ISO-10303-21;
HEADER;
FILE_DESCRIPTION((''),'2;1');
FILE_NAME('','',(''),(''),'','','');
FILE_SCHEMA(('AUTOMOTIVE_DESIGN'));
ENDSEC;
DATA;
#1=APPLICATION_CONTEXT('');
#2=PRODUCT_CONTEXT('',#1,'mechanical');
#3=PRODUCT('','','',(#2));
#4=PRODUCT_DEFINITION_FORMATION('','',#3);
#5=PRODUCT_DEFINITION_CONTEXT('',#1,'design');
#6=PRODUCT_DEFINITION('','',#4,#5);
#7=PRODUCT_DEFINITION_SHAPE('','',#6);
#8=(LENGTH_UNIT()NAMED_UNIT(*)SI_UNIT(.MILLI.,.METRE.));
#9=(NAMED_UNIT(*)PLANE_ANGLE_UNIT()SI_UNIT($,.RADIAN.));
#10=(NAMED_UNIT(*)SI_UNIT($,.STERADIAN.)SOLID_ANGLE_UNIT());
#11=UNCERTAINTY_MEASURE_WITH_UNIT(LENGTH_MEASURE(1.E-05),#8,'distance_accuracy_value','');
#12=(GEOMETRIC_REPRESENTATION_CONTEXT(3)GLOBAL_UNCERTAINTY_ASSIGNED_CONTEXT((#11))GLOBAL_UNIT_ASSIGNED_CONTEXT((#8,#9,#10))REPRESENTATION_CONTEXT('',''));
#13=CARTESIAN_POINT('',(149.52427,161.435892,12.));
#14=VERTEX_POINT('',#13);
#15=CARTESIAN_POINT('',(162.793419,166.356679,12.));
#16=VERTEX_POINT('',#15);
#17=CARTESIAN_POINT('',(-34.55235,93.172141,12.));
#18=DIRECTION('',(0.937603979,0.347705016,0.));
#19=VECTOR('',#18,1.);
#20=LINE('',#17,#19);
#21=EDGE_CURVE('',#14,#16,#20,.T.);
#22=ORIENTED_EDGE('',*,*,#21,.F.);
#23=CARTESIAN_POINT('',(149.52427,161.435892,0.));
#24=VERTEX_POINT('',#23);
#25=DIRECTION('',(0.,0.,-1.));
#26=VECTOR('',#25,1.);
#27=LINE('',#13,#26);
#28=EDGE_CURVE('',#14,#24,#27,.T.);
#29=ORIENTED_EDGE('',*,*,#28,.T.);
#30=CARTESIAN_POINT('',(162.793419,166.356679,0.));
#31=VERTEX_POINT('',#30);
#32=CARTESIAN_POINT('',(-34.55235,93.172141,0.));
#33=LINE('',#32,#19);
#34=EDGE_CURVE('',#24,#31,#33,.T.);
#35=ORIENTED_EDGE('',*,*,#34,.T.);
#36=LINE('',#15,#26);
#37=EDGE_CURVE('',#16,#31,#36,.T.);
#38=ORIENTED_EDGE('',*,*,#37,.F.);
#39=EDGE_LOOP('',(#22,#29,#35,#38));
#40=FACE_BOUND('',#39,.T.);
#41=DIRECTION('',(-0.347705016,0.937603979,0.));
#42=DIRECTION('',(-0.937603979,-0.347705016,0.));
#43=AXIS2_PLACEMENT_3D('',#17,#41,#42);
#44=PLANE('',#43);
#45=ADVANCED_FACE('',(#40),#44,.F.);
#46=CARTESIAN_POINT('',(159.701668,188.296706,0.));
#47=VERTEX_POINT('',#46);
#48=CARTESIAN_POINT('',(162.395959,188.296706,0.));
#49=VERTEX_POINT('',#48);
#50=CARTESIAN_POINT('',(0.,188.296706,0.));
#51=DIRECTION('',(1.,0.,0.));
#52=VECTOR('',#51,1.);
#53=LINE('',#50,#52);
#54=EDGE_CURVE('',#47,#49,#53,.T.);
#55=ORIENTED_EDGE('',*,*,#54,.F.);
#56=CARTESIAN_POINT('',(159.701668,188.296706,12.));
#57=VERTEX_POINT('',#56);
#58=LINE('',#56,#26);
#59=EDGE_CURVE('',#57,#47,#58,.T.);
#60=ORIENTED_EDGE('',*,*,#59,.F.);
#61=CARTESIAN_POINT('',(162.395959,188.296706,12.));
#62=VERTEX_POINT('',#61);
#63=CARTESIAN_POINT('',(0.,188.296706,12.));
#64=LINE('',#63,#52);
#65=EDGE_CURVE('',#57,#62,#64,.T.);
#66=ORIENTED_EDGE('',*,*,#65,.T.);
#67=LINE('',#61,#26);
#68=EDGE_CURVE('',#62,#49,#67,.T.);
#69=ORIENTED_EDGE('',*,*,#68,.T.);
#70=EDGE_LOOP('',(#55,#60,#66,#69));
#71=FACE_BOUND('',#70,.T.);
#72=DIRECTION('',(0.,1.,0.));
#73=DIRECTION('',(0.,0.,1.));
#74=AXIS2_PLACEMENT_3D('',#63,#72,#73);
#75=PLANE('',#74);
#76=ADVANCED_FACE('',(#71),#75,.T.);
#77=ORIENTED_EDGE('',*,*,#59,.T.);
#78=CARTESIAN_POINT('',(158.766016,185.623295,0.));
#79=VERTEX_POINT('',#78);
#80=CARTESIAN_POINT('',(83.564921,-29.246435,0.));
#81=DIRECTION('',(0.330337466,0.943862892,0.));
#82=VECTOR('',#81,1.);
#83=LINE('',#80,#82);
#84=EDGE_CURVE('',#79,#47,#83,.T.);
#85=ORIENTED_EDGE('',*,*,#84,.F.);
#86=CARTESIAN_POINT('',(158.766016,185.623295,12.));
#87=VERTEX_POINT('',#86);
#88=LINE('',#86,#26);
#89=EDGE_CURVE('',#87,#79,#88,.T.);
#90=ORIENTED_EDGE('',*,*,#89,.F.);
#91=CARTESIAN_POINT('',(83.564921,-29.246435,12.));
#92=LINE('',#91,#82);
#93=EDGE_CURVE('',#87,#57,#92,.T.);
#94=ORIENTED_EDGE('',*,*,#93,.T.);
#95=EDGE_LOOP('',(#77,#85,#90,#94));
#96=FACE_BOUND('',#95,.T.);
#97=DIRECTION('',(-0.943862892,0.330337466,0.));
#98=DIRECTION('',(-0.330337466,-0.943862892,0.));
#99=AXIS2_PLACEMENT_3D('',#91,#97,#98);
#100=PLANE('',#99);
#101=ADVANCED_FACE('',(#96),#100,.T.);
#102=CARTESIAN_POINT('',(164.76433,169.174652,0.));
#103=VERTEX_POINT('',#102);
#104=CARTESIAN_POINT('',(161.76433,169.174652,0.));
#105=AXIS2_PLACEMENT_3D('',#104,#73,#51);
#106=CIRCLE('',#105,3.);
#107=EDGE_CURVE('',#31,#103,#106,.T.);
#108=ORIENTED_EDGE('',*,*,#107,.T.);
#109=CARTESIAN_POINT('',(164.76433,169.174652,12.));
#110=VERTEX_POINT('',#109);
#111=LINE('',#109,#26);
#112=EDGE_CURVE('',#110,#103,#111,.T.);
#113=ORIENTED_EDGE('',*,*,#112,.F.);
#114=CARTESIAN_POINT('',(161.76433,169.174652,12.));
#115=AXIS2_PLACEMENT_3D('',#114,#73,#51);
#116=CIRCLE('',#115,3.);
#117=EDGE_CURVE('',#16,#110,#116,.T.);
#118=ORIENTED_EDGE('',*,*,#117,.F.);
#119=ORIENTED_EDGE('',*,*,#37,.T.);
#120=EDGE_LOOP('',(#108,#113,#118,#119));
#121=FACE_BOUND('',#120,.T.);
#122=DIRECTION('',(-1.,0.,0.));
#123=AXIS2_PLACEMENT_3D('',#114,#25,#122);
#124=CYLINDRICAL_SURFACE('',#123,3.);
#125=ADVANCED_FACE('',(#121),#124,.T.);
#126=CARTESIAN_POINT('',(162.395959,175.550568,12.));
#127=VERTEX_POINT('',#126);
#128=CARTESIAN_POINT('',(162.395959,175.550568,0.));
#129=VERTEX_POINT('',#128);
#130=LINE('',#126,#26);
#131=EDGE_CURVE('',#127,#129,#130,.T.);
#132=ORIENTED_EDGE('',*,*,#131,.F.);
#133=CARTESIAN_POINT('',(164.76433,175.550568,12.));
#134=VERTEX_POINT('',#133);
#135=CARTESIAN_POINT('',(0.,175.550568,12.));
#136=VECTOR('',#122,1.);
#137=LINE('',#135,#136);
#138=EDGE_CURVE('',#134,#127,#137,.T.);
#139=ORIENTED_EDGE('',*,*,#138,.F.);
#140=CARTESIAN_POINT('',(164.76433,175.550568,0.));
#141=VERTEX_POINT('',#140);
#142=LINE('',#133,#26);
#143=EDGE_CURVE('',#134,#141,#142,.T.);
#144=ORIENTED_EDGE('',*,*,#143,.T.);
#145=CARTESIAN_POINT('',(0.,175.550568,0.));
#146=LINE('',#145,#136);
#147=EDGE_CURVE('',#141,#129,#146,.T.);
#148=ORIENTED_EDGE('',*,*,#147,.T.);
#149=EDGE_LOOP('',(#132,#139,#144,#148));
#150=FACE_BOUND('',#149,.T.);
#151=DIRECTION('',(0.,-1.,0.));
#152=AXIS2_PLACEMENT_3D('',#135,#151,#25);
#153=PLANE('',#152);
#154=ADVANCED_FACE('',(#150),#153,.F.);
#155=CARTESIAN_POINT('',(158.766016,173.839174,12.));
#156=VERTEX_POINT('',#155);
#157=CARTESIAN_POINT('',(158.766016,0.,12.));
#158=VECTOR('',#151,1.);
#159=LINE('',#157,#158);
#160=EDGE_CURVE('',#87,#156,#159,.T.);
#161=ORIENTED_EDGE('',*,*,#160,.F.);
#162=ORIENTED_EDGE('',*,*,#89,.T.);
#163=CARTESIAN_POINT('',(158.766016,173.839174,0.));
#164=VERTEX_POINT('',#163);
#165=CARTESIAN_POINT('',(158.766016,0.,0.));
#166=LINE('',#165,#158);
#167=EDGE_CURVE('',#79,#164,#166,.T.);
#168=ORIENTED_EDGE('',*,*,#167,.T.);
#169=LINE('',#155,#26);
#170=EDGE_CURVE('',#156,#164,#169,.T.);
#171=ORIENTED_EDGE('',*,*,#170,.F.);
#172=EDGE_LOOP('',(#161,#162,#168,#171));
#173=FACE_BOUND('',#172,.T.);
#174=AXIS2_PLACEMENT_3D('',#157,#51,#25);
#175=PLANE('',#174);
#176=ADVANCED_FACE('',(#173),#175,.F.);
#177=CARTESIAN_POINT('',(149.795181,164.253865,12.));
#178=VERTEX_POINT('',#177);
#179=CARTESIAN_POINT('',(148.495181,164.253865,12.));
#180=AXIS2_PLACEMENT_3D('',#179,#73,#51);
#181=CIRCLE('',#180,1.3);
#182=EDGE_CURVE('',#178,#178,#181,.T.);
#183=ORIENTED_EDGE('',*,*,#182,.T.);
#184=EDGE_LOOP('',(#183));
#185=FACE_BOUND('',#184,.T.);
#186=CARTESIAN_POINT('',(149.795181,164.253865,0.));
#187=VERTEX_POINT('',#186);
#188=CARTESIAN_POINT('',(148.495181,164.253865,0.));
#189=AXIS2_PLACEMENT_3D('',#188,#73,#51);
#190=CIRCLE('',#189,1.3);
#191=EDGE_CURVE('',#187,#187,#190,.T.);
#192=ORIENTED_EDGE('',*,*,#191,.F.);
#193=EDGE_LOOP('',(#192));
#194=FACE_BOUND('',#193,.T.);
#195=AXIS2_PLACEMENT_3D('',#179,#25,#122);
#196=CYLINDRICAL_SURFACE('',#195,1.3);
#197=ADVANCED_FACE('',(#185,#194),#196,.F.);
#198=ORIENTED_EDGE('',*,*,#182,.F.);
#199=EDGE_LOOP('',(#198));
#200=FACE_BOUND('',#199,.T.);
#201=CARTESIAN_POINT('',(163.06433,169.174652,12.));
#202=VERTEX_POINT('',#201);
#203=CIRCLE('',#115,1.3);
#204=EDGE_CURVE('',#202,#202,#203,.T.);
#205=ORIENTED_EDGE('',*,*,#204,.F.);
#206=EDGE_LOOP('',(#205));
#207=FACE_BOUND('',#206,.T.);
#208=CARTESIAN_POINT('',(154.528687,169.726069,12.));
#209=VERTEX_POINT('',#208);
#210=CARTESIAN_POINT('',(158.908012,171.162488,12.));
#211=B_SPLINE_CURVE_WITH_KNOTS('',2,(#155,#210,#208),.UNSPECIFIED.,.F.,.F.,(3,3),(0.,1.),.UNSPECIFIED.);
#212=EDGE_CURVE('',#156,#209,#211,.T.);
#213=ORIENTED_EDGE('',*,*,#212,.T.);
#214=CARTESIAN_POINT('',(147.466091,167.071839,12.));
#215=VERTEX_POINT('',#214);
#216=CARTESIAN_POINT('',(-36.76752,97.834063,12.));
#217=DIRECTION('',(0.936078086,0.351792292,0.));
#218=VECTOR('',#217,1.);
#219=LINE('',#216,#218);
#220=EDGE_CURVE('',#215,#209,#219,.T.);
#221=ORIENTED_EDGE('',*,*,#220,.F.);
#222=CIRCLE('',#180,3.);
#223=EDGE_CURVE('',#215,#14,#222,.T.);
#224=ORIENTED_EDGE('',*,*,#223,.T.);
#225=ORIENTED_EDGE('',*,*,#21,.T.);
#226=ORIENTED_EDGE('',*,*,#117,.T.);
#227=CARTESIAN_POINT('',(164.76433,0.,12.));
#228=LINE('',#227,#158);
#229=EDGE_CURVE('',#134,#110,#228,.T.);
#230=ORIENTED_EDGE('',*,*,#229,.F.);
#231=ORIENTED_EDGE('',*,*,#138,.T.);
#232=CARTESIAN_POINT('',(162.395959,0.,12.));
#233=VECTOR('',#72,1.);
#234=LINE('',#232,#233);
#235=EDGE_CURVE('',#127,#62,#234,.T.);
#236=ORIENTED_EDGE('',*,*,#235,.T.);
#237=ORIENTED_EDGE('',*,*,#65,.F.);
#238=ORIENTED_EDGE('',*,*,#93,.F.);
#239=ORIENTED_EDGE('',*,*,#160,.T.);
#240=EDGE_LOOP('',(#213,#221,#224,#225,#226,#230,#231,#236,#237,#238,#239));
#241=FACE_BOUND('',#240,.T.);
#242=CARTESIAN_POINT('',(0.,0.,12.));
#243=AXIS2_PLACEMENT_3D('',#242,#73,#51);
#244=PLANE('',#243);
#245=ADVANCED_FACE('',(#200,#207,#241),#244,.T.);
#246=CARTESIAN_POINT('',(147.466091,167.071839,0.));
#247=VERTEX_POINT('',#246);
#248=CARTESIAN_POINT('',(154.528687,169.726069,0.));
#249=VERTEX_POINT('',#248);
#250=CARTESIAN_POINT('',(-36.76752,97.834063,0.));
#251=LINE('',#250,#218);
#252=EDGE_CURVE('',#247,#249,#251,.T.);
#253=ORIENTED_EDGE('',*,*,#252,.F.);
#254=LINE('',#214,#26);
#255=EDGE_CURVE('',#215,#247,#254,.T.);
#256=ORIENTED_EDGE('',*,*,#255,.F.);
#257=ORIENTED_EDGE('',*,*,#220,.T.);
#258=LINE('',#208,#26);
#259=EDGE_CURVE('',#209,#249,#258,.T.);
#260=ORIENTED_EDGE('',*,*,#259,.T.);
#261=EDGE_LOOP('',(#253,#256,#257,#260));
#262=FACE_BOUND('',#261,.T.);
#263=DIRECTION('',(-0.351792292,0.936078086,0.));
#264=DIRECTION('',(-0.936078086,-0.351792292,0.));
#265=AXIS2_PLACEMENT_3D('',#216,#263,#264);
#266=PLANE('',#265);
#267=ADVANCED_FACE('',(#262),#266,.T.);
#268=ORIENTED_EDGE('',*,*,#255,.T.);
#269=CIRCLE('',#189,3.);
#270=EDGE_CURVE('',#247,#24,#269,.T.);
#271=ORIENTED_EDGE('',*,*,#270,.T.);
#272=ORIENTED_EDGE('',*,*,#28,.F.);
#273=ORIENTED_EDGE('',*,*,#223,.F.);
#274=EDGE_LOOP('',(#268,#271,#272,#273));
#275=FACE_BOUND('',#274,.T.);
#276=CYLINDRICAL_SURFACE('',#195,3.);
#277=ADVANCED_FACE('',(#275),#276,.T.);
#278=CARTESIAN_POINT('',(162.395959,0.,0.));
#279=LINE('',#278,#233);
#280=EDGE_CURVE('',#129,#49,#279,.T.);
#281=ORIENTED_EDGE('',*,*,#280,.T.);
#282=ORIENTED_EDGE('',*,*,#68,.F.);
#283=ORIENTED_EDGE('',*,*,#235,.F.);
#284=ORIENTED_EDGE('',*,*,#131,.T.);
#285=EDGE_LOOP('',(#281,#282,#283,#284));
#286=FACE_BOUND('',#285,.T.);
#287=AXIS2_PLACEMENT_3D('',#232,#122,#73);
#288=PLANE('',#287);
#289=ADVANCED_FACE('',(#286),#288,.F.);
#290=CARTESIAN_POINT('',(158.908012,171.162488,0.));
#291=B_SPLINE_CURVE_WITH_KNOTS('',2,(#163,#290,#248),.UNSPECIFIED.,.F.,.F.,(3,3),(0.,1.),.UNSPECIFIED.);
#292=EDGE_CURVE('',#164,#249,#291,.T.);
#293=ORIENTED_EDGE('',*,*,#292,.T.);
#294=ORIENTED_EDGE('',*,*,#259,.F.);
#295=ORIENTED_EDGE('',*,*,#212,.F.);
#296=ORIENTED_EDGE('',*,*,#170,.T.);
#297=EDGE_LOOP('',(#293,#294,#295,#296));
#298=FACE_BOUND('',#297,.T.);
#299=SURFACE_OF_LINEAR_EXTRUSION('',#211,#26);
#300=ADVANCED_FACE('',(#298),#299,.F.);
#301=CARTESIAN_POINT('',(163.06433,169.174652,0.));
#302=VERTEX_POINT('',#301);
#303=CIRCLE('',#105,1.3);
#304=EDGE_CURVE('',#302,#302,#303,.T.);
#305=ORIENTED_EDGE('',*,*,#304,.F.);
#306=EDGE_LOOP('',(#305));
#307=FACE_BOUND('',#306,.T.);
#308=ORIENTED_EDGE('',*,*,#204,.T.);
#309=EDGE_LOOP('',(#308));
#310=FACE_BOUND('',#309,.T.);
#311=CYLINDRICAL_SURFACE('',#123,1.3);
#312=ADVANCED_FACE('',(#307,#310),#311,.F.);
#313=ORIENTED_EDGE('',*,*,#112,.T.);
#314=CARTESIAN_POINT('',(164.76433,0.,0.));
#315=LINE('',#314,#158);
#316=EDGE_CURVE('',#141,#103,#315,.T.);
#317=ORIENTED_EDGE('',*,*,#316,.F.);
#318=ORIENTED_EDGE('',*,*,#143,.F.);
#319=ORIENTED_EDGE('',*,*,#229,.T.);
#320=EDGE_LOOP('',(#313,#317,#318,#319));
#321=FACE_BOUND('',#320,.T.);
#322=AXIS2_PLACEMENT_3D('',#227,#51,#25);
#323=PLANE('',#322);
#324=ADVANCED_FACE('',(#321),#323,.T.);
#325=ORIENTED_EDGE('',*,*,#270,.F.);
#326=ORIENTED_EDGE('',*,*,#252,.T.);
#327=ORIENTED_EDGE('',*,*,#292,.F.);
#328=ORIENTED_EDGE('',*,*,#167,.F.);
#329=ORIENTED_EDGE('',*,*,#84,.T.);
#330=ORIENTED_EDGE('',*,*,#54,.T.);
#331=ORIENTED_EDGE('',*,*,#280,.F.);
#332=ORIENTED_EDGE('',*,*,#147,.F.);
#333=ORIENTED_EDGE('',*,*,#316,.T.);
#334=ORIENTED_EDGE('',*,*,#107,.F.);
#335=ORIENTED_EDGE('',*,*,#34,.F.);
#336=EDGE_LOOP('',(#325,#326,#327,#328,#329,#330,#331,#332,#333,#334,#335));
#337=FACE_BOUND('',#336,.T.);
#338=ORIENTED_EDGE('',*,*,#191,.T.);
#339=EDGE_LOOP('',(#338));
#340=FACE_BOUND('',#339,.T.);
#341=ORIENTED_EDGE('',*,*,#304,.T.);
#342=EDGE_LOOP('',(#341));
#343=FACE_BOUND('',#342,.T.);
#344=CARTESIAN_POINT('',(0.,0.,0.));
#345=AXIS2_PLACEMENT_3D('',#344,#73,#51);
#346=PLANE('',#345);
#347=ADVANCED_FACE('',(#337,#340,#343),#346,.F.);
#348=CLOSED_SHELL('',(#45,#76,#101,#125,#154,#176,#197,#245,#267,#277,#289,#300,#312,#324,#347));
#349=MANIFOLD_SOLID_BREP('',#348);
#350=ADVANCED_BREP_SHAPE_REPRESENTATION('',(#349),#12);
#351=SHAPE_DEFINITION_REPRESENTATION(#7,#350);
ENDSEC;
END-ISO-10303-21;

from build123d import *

# Parameters (mm, degrees)
ESQUISSE1_R        = 1.3
BOSS_EXTRU_1_DEPTH = 12


with BuildPart() as part:
    # Esquisse1 → Boss.-Extru.1 (new body)
    with BuildSketch(Plane.XY):
        with BuildLine():
            Line((159.701668195, 188.296706066), (158.766015625, 185.623295296))
            Line((158.766015625, 185.623295296), (158.766015625, 173.839174165))
            add(Edge.make_bspline(
                [(158.766015625, 173.839174165), (158.908011503, 171.16248829), (154.528686771, 169.726069)],
                knots=[0, 0, 0, 1, 1, 1], degree=2))
            Line((154.528686771, 169.726069), (147.466091463, 167.071838941))
            ThreePointArc((147.466091463, 167.071838941), (145.677207205, 163.224776021), (149.524270126, 161.435891763))
            Line((149.524270126, 161.435891763), (162.793418929, 166.356678901))
            ThreePointArc((162.793418929, 166.356678901), (164.222709959, 167.45524387), (164.764329598, 169.17465249))
            Line((164.764329598, 169.17465249), (164.764329598, 175.550568138))
            Line((164.764329598, 175.550568138), (162.39595917, 175.550568138))
            Line((162.39595917, 175.550568138), (162.39595917, 188.296706066))
            Line((162.39595917, 188.296706066), (159.701668195, 188.296706066))
        make_face()
        with Locations((148.495180794, 164.253865352)):
            Circle(ESQUISSE1_R, mode=Mode.SUBTRACT)
        with Locations((161.764329598, 169.17465249)):
            Circle(ESQUISSE1_R, mode=Mode.SUBTRACT)
    extrude(amount=BOSS_EXTRU_1_DEPTH)


solid = part.part
